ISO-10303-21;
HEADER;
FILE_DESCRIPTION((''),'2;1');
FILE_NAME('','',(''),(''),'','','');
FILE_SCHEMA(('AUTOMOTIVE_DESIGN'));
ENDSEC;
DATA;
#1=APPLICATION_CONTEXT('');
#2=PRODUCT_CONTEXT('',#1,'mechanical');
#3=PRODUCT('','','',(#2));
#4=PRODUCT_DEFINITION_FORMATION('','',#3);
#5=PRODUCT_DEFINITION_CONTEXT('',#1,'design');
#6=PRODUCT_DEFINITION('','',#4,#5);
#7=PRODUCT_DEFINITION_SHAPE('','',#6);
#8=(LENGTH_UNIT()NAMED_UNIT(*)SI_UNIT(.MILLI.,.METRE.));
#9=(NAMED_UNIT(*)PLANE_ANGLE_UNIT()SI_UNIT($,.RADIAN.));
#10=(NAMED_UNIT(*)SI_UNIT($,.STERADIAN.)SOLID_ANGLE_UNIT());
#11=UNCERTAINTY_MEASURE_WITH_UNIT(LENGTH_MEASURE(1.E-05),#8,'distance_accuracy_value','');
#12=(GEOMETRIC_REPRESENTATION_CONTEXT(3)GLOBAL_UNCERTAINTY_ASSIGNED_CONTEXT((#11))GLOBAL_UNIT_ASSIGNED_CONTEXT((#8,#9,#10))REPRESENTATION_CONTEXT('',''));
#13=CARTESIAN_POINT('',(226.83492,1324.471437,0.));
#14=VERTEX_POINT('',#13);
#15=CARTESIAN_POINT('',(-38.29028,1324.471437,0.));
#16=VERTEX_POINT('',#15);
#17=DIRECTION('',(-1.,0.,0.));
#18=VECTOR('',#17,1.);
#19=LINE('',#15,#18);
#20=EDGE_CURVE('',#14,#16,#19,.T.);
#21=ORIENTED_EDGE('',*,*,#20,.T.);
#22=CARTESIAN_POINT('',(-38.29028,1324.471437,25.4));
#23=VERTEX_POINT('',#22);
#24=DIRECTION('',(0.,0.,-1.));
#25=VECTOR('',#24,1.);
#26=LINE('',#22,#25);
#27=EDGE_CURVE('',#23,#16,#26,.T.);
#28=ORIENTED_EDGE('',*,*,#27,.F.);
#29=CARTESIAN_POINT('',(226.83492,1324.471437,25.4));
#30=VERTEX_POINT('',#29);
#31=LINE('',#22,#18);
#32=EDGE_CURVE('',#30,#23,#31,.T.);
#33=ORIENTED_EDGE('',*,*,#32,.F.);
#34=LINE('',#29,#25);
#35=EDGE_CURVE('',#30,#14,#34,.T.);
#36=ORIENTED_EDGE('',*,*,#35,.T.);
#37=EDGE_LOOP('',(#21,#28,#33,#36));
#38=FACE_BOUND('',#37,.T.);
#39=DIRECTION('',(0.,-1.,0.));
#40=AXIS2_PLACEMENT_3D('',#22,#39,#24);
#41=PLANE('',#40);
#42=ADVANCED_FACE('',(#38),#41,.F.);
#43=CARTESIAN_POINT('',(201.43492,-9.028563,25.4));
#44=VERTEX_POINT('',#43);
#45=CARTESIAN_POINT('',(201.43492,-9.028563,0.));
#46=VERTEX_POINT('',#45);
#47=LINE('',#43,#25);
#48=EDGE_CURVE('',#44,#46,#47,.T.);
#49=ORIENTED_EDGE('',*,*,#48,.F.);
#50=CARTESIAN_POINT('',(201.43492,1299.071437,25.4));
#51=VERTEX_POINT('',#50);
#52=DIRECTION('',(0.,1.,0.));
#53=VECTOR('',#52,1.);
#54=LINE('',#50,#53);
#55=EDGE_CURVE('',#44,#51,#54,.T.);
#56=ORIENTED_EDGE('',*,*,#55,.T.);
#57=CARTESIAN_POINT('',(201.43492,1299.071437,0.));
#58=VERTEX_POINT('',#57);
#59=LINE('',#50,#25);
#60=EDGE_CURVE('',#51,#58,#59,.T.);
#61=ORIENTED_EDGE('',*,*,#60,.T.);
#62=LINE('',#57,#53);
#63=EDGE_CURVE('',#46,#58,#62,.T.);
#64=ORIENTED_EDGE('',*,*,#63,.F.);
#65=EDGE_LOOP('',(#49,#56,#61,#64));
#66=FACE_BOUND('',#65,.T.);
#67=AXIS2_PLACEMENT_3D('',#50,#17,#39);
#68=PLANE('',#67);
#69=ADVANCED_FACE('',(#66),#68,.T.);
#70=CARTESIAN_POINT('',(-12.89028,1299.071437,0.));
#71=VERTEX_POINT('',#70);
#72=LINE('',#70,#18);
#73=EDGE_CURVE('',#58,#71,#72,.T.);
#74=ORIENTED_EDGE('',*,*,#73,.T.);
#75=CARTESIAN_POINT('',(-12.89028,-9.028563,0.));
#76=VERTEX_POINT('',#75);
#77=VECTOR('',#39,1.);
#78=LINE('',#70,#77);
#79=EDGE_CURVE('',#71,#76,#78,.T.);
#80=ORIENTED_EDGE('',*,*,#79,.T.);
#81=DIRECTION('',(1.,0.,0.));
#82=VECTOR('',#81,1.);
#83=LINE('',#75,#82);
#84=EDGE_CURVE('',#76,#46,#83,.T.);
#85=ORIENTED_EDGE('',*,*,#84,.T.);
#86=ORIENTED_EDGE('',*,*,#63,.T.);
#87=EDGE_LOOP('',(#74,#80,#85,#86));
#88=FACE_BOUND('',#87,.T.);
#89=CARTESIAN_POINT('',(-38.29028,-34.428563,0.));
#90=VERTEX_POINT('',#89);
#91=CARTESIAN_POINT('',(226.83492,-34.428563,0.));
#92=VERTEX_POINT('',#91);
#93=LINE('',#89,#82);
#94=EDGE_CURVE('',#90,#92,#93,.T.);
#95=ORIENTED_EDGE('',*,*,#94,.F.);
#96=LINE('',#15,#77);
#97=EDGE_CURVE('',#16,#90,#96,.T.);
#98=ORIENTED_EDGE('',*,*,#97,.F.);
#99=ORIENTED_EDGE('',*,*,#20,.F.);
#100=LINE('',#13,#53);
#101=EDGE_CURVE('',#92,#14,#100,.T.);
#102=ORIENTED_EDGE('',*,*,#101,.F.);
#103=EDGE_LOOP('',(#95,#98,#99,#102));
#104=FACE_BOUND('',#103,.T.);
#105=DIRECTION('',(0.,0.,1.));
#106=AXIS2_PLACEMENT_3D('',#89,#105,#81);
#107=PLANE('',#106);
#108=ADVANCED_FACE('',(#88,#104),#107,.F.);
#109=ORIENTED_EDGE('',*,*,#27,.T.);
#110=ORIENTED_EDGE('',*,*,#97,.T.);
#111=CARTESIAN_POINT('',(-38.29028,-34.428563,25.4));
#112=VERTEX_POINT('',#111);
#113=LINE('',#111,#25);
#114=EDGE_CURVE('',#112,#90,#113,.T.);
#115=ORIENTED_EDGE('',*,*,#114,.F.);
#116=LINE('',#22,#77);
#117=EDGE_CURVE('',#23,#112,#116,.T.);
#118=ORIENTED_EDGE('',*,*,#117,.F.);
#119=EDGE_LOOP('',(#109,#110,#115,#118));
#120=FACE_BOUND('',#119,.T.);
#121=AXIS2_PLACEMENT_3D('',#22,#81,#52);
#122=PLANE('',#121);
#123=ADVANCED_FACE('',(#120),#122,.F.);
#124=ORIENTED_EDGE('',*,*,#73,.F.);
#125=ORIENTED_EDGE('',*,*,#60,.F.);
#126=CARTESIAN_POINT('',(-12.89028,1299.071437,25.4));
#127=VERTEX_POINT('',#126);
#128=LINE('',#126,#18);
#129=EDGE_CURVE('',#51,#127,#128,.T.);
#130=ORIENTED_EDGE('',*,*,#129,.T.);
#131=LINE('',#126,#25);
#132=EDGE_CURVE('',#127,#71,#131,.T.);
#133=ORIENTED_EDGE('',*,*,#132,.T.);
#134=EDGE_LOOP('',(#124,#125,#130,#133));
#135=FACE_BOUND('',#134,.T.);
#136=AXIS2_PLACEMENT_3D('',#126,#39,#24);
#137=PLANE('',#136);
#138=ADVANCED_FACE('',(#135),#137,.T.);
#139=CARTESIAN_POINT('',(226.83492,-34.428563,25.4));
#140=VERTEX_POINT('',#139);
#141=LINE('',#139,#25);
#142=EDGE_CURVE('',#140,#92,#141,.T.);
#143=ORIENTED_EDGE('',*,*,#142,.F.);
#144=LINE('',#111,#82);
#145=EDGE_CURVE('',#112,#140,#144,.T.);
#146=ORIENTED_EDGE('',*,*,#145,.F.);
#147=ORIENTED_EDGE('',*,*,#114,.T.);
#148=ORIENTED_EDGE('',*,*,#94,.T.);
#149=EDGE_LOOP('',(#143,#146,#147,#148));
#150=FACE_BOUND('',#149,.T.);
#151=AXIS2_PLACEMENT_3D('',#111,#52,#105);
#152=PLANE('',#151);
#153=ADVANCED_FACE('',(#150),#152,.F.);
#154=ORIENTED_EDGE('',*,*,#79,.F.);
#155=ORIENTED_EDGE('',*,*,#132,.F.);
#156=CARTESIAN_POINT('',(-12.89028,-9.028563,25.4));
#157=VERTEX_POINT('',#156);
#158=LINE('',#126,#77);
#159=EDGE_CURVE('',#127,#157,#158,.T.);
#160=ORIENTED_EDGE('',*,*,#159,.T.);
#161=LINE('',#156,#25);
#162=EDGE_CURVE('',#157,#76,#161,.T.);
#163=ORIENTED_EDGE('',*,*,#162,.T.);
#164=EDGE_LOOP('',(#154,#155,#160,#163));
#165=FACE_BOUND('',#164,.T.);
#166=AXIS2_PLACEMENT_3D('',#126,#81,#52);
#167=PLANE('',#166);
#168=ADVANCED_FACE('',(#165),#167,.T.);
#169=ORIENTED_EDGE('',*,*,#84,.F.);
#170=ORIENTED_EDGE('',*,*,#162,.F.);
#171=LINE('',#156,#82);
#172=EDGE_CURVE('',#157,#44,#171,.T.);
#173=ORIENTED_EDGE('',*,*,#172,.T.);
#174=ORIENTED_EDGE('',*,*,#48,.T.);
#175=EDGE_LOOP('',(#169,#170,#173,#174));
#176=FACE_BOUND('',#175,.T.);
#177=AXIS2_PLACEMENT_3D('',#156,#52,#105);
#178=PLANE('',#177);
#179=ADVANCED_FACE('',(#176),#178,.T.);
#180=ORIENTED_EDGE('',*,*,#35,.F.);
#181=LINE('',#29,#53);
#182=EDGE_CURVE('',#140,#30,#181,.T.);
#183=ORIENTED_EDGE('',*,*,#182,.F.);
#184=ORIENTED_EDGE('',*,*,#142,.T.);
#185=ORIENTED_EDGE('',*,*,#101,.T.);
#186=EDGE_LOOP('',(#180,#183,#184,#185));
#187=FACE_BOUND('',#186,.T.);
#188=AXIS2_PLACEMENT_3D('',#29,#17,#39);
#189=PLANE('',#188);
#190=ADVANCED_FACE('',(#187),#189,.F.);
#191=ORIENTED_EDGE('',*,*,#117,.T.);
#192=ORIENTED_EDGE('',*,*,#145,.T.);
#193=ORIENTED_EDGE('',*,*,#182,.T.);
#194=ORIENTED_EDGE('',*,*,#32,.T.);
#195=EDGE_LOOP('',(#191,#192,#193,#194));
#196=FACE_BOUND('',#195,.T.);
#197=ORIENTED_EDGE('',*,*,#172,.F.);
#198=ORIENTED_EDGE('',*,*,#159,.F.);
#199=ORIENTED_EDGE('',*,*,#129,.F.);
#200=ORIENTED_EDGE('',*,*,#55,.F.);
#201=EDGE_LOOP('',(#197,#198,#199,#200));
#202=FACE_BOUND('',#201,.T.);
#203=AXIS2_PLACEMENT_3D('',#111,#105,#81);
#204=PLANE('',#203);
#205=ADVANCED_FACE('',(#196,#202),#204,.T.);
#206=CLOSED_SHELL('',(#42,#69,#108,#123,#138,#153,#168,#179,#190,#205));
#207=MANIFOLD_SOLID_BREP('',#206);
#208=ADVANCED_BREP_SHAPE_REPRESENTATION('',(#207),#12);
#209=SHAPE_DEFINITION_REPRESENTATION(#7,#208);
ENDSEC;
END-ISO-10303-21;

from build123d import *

# Parameters (mm, degrees)
SKETCH1_W      = 265.1252
SKETCH1_H      = 1358.9
SKETCH1_W_2    = 214.3252
SKETCH1_H_2    = 1308.1
EXTRUDE1_DEPTH = 25.4


with BuildPart() as part:
    # Sketch1 → Extrude1 (new body)
    with BuildSketch(Plane.XY):
        with Locations((94.272319654, 645.02143696)):
            Rectangle(SKETCH1_W, SKETCH1_H)
        with Locations((94.272319654, 645.02143696)):
            Rectangle(SKETCH1_W_2, SKETCH1_H_2, mode=Mode.SUBTRACT)
    extrude(amount=EXTRUDE1_DEPTH)


solid = part.part
